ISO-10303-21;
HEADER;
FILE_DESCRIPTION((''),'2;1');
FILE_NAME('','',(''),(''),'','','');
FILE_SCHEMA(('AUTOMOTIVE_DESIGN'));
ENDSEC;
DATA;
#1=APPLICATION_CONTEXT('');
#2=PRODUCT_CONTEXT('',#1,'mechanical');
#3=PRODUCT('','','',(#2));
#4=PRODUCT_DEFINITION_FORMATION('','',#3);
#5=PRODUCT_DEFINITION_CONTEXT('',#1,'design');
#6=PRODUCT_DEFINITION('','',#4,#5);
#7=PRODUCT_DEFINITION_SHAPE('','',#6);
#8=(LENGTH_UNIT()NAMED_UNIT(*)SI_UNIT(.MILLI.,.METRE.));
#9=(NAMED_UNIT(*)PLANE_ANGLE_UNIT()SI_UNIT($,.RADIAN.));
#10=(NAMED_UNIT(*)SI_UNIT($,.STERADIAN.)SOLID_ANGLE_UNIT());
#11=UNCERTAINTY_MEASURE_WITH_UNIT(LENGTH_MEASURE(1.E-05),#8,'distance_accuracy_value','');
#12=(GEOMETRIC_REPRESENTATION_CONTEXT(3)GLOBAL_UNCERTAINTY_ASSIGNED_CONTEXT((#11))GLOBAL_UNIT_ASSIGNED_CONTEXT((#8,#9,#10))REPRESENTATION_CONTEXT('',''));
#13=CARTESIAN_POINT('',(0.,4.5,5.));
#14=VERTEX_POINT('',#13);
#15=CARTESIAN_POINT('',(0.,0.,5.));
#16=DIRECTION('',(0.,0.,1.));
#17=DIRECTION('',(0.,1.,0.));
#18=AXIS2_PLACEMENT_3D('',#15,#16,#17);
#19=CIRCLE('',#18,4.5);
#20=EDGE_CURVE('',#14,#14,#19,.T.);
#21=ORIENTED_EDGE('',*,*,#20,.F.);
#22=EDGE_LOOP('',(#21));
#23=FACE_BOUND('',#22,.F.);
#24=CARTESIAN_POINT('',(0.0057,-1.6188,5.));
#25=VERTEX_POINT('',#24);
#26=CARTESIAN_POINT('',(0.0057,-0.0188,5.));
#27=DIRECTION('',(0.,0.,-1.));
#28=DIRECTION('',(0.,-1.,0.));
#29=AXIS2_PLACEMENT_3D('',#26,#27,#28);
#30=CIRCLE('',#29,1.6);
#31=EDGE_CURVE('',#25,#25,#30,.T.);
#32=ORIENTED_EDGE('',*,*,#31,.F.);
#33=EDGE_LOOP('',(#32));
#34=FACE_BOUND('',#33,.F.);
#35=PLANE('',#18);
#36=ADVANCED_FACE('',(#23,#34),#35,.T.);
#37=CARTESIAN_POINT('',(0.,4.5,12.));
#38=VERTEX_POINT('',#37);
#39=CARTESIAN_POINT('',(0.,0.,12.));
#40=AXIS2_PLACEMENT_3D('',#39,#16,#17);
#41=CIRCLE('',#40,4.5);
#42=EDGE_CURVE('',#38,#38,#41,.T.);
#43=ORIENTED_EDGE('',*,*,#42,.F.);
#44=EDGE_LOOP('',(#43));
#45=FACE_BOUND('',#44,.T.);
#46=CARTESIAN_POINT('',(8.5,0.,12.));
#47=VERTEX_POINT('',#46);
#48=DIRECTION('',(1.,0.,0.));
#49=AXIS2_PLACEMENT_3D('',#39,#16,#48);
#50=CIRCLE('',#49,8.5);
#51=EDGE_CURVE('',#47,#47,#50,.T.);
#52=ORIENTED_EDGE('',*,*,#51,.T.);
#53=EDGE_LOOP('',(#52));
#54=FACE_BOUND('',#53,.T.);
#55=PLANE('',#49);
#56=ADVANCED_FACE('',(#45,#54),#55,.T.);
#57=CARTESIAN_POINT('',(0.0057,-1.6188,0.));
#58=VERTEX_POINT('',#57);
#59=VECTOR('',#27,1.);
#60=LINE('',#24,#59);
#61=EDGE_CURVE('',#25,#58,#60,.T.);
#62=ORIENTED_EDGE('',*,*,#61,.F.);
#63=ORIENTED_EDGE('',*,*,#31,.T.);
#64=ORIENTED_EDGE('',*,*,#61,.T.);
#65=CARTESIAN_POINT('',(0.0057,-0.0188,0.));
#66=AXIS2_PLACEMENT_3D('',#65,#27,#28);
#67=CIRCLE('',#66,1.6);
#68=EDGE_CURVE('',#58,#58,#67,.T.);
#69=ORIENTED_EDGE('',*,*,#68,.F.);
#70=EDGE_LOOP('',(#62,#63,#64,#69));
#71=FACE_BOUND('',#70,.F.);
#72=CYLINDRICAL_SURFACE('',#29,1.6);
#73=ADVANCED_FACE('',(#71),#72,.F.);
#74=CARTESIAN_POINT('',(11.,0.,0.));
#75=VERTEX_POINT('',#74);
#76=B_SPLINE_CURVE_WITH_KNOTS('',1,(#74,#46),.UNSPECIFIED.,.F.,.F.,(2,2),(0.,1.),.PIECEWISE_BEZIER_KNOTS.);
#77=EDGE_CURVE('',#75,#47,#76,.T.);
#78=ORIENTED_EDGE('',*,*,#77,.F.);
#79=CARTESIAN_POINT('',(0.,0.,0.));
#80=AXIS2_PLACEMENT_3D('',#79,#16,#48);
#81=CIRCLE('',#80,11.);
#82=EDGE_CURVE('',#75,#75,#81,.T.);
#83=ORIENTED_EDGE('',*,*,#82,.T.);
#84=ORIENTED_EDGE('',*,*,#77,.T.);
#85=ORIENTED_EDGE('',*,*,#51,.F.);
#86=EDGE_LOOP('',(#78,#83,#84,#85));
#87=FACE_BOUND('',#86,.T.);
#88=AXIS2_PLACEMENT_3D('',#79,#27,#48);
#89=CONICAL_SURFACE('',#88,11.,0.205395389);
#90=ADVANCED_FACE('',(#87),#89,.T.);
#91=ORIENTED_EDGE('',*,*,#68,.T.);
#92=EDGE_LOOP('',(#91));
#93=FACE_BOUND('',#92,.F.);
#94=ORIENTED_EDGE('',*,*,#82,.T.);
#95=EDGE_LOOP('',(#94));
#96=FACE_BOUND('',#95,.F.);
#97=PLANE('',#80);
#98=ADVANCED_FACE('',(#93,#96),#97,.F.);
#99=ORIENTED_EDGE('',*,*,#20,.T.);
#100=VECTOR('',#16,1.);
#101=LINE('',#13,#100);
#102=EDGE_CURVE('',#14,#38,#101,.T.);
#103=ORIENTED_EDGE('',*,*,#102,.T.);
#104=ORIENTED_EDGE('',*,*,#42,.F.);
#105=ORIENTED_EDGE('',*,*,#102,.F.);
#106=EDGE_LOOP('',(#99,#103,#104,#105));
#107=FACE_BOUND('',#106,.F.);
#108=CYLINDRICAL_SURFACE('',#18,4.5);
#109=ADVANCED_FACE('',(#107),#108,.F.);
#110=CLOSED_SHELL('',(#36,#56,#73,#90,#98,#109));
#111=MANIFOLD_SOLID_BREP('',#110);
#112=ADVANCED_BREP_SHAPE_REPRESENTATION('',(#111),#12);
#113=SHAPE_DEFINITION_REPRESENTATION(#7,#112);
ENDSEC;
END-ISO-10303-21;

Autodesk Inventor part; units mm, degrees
ref_plane "YZ Plane" through (0, 0, 0) normal (1, 0, 0) x (0, 1, 0)
ref_plane "XZ Plane" through (0, 0, 0) normal (0, 1, 0) x (-1, 0, 0)
sketch "Boceto1" plane through (0, 0, 0) normal (0, 0, 1) x (1, 0, 0)
  circle A0 centre (0, 0) radius 11
  dimension "d0" = 22
ref_plane "Plano de trabajo3" through (0, 0, 5) normal (0, 0, 1) x (1, 0, 0)
sketch "Boceto3" plane through (0, 0, 5) normal (0, 0, 1) x (1, 0, 0)
  circle A0 centre (0, 0) radius 4.5
  circle A1 centre (0, 0) radius 1.5
  dimension "d5" = 9
  dimension "d6" = 3
ref_plane "Plano de trabajo4" through (0, 0, 12) normal (0, 0, 1) x (1, 0, 0)
sketch "Boceto4" plane through (0, 0, 12) normal (0, 0, 1) x (1, 0, 0)
  circle A0 centre (0, 0) radius 8.5
  dimension "d8" = 17
loft "Solevación1" add profiles "Boceto1", "Boceto4"
hole "Agujero3" at (0, 0, 5) direction (0, 0, 1) diameter 9 depth 7
sketch "Boceto5" plane through (0, 0, 5) normal (0, 0, 1) x (1, 0, 0)
  point P0 (0, 0)
  point P1 (0.0057, -0.0188)
hole "Agujero4" at (0.0057, -0.0188, 5) direction (0, 0, -1) diameter 3.2 end through all
properties part number "Patas"
